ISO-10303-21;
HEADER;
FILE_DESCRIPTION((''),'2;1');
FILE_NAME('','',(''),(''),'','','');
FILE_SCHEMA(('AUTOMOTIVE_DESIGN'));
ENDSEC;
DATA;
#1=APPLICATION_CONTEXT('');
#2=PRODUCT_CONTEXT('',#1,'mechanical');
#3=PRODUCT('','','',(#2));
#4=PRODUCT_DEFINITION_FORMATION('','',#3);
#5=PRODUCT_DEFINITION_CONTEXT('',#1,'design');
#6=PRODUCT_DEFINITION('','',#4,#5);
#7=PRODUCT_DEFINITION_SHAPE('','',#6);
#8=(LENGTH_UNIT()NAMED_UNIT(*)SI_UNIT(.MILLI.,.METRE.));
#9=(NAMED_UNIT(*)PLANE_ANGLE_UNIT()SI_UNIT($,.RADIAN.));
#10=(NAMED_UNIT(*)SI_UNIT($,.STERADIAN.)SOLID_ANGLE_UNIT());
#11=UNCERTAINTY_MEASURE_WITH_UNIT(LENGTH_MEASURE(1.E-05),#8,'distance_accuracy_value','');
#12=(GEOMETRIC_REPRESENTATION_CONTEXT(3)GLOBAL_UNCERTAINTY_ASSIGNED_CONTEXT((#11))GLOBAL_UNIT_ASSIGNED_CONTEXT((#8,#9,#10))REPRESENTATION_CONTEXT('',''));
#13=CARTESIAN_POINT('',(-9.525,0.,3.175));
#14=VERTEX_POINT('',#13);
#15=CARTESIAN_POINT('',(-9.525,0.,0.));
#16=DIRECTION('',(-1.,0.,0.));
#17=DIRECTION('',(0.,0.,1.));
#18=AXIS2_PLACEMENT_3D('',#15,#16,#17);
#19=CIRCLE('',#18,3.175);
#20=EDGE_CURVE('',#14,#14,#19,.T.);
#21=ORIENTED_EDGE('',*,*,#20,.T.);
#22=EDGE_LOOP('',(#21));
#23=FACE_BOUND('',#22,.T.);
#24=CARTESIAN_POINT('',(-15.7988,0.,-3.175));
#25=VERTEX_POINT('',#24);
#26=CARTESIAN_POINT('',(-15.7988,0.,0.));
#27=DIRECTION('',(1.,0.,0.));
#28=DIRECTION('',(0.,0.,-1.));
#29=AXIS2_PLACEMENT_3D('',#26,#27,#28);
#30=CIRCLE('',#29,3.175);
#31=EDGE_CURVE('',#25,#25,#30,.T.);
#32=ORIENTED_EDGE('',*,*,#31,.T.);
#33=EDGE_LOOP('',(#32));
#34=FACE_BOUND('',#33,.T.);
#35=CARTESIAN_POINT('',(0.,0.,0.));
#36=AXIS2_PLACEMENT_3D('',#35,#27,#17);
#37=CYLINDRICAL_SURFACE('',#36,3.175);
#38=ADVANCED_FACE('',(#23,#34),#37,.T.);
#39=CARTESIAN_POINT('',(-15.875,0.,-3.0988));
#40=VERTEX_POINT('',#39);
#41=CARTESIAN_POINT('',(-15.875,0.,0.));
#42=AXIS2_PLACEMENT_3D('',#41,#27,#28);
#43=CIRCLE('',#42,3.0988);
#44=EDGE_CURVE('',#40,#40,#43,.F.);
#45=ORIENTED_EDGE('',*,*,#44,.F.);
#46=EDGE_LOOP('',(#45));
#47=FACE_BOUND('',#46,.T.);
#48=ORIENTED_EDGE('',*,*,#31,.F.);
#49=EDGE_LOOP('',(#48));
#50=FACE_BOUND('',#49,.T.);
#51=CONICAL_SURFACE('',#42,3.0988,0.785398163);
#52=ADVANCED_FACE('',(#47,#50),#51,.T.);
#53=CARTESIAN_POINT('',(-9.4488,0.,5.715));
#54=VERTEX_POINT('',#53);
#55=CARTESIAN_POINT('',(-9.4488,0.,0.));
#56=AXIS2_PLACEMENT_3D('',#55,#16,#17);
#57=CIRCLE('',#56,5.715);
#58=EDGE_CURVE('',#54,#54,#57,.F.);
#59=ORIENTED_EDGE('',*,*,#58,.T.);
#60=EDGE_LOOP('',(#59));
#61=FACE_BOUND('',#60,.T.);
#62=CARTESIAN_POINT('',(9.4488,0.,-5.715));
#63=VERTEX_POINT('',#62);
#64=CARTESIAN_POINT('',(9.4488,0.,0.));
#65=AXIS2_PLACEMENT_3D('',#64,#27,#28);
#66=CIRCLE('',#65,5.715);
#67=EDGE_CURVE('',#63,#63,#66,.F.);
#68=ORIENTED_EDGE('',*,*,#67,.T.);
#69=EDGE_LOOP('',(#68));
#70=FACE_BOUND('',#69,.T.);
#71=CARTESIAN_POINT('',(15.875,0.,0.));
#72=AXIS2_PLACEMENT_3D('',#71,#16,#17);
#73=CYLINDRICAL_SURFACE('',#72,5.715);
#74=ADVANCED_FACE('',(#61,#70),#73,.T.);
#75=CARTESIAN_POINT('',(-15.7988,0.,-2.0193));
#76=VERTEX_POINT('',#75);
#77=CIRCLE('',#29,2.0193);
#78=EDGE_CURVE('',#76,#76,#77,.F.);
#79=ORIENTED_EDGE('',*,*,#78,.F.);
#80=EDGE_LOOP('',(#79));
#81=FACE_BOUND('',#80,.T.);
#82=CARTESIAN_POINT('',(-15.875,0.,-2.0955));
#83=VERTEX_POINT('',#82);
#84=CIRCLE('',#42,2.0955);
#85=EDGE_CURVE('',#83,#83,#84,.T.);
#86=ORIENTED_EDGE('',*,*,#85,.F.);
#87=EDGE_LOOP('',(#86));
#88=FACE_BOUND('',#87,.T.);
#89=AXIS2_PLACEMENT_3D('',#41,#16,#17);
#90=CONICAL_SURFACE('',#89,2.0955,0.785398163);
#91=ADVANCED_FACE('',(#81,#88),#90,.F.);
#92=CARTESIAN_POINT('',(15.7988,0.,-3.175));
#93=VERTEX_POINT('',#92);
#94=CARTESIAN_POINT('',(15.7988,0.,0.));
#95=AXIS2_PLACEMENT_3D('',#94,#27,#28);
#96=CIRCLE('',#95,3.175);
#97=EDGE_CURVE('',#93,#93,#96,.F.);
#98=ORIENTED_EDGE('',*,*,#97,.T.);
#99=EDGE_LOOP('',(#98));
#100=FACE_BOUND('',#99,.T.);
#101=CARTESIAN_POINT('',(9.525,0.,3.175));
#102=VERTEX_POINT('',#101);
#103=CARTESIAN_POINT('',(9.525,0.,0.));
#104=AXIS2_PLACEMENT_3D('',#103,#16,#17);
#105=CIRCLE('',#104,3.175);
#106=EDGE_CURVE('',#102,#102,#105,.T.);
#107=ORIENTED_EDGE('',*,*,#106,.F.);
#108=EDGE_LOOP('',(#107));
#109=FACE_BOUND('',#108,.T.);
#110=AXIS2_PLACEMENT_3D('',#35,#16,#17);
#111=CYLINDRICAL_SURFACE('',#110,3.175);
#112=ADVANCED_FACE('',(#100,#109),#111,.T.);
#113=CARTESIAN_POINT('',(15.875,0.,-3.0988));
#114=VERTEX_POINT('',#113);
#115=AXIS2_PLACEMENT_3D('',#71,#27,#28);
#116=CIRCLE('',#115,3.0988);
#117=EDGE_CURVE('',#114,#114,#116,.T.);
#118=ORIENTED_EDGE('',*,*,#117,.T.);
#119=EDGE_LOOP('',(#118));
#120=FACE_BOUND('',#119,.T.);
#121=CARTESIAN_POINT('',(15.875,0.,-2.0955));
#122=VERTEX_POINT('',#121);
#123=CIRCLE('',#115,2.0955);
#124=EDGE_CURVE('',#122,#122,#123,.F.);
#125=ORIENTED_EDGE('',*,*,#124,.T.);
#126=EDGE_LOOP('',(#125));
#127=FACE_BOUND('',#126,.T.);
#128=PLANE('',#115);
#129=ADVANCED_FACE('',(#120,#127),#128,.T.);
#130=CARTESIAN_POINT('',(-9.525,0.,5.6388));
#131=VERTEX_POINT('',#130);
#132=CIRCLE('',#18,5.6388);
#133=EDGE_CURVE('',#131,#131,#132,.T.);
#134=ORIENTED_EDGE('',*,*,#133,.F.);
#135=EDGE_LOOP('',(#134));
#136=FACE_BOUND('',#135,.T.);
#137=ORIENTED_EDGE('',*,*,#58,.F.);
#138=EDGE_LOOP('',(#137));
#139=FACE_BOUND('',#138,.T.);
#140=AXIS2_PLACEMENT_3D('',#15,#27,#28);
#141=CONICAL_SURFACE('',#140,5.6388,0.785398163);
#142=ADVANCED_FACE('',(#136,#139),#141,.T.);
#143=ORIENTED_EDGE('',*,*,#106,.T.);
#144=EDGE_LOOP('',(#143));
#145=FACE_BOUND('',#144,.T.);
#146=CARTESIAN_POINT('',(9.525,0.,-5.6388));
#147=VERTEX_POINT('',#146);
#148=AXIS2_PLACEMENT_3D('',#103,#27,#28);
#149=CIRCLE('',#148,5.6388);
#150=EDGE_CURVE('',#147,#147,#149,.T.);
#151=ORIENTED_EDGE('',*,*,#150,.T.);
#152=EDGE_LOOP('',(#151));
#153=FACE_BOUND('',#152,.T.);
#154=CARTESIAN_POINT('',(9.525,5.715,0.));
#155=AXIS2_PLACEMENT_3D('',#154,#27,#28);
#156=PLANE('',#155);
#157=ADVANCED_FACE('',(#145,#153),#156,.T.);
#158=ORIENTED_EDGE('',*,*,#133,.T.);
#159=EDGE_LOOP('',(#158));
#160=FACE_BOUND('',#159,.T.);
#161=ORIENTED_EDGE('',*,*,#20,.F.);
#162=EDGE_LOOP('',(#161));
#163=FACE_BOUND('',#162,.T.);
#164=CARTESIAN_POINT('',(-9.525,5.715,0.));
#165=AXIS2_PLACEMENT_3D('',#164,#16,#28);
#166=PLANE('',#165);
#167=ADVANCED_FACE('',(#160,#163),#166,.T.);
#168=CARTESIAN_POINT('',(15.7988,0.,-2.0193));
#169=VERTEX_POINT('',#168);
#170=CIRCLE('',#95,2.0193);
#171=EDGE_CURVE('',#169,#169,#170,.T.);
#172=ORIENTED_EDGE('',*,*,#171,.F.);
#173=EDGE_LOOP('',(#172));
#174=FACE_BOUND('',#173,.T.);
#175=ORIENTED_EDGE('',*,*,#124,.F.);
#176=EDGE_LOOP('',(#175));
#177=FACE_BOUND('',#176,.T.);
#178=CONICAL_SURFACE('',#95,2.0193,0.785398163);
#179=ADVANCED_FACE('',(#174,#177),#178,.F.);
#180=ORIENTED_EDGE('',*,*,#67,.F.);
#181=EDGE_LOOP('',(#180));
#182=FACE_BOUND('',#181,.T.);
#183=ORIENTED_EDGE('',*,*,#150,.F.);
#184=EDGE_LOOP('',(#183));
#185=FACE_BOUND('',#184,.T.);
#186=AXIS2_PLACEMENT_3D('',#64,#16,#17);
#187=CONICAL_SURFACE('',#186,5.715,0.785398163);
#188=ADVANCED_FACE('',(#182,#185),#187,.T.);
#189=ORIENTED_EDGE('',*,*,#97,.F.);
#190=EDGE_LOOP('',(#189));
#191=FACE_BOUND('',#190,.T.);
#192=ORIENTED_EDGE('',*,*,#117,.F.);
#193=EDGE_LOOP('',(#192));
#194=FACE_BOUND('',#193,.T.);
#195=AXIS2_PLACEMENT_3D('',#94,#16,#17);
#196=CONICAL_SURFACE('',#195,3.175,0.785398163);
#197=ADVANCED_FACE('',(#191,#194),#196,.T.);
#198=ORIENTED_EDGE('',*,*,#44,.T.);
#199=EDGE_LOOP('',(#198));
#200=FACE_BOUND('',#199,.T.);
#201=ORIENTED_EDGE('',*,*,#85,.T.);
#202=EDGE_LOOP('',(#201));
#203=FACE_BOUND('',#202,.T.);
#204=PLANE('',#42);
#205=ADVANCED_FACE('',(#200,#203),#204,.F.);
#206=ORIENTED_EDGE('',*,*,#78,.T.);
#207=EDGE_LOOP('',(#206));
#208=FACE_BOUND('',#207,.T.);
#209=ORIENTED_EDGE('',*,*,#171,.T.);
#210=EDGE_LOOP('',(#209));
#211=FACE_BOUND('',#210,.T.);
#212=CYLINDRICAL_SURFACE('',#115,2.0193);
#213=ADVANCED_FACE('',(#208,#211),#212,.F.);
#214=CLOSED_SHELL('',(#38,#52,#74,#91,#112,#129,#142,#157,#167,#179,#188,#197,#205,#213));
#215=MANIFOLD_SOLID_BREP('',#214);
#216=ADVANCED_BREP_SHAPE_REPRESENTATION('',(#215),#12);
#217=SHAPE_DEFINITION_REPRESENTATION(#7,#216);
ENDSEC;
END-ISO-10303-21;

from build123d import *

# Parameters (mm, degrees)
SKETCH34_R                  = 5.715
BOSS_EXTRUDE2_DEPTH         = 15.875
F_21_0_159_DIAMETER_HOLE2_D = 4.0386
SKETCH39_W                  = 6.35
SKETCH39_H                  = 2.54
CHAMFER1_SIZE               = 0.0762
CHAMFER2_SIZE               = 0.0762
CHAMFER8_SIZE               = 0.0762


with BuildPart() as part:
    # Sketch34 → Boss-Extrude2 (new, symmetric)
    with BuildSketch(Plane(origin=(0, 0, 0), x_dir=(0, 0, -1), z_dir=(1, 0, 0))):
        Circle(SKETCH34_R)
    extrude(amount=BOSS_EXTRUDE2_DEPTH, both=True)

    # #21 (0.159) Diameter Hole2 (through all)
    with Locations(Plane(origin=(15.875, 0, 0), x_dir=(0, 0, -1), z_dir=(1, 0, 0))):
        with Locations((0, 0)):
            Hole(F_21_0_159_DIAMETER_HOLE2_D / 2)

    # Sketch39 → Cut-Revolve1 (revolve, cut)
    with BuildSketch(Plane.XY, mode=Mode.PRIVATE) as cut_revolve1_sk:
        with Locations((12.7, 4.445)):
            Rectangle(SKETCH39_W, SKETCH39_H)
    cut_revolve1 = revolve(cut_revolve1_sk.sketch.rotate(Axis((0, 0, 0), (1, 0, 0)), 90), axis=Axis((0, 0, 0), (1, 0, 0)), mode=Mode.SUBTRACT)

    # Chamfer1
    chamfer1_edges = [part.edges().sort_by_distance(p)[0] for p in [
        (15.875, 0, -3.175),
        (9.525, 0, 5.715),
    ]]
    chamfer(chamfer1_edges, length=CHAMFER1_SIZE)

    # Mirror1: Cut-Revolve1 across plane
    add(cut_revolve1.mirror(Plane(origin=(0, 0, 0), x_dir=(0, 0, 1), z_dir=(1, 0, 0))), mode=Mode.SUBTRACT)

    # Chamfer2
    chamfer2_edges = [part.edges().sort_by_distance(p)[0] for p in [
        (-15.875, 0, -3.175),
        (-9.525, 0, 5.715),
    ]]
    chamfer(chamfer2_edges, length=CHAMFER2_SIZE)

    # Chamfer8
    chamfer8_edges = [part.edges().sort_by_distance(p)[0] for p in [
        (15.875, 0, -2.0193),
        (-15.875, 0, -2.0193),
    ]]
    chamfer(chamfer8_edges, length=CHAMFER8_SIZE)


solid = part.part
